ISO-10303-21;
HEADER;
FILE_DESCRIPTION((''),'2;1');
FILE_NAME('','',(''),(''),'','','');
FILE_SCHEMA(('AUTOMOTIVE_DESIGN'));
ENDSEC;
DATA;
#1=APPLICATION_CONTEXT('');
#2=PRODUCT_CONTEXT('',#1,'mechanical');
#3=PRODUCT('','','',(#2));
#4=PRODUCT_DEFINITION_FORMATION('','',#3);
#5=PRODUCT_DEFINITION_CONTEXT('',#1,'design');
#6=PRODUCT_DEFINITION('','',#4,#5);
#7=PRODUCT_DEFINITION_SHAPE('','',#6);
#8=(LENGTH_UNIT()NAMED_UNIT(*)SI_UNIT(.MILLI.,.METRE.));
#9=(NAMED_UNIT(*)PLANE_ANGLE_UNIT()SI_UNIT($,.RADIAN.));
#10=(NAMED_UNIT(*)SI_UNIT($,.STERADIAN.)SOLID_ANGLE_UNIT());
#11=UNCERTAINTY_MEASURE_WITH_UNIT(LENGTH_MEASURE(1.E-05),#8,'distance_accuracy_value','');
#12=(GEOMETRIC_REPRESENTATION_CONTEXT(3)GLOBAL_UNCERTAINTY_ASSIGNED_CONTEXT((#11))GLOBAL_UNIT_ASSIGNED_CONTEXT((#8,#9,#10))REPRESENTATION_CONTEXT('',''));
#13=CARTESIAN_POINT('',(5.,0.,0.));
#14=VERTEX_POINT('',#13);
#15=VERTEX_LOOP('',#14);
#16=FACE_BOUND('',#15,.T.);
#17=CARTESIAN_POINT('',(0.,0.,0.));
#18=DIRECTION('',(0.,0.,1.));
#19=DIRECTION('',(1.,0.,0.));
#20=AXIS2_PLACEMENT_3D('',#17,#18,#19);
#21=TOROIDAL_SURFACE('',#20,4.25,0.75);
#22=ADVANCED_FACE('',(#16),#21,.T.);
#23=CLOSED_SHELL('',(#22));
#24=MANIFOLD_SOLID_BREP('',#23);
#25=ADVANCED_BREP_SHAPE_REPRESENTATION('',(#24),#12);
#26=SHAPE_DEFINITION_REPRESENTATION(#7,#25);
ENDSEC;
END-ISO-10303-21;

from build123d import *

# Parameters (mm, degrees)
SKETCH1_R = 0.75


with BuildPart() as part:
    # Sketch1 → Revolve1 (revolve)
    with BuildSketch(Plane(origin=(0, 0, 0), x_dir=(1, 0, 0), z_dir=(0, 1, 0))):
        with Locations((4.25, 0)):
            Circle(SKETCH1_R)
    revolve(axis=Axis((0, 0, 0), (0, 0, -1)))


solid = part.part
